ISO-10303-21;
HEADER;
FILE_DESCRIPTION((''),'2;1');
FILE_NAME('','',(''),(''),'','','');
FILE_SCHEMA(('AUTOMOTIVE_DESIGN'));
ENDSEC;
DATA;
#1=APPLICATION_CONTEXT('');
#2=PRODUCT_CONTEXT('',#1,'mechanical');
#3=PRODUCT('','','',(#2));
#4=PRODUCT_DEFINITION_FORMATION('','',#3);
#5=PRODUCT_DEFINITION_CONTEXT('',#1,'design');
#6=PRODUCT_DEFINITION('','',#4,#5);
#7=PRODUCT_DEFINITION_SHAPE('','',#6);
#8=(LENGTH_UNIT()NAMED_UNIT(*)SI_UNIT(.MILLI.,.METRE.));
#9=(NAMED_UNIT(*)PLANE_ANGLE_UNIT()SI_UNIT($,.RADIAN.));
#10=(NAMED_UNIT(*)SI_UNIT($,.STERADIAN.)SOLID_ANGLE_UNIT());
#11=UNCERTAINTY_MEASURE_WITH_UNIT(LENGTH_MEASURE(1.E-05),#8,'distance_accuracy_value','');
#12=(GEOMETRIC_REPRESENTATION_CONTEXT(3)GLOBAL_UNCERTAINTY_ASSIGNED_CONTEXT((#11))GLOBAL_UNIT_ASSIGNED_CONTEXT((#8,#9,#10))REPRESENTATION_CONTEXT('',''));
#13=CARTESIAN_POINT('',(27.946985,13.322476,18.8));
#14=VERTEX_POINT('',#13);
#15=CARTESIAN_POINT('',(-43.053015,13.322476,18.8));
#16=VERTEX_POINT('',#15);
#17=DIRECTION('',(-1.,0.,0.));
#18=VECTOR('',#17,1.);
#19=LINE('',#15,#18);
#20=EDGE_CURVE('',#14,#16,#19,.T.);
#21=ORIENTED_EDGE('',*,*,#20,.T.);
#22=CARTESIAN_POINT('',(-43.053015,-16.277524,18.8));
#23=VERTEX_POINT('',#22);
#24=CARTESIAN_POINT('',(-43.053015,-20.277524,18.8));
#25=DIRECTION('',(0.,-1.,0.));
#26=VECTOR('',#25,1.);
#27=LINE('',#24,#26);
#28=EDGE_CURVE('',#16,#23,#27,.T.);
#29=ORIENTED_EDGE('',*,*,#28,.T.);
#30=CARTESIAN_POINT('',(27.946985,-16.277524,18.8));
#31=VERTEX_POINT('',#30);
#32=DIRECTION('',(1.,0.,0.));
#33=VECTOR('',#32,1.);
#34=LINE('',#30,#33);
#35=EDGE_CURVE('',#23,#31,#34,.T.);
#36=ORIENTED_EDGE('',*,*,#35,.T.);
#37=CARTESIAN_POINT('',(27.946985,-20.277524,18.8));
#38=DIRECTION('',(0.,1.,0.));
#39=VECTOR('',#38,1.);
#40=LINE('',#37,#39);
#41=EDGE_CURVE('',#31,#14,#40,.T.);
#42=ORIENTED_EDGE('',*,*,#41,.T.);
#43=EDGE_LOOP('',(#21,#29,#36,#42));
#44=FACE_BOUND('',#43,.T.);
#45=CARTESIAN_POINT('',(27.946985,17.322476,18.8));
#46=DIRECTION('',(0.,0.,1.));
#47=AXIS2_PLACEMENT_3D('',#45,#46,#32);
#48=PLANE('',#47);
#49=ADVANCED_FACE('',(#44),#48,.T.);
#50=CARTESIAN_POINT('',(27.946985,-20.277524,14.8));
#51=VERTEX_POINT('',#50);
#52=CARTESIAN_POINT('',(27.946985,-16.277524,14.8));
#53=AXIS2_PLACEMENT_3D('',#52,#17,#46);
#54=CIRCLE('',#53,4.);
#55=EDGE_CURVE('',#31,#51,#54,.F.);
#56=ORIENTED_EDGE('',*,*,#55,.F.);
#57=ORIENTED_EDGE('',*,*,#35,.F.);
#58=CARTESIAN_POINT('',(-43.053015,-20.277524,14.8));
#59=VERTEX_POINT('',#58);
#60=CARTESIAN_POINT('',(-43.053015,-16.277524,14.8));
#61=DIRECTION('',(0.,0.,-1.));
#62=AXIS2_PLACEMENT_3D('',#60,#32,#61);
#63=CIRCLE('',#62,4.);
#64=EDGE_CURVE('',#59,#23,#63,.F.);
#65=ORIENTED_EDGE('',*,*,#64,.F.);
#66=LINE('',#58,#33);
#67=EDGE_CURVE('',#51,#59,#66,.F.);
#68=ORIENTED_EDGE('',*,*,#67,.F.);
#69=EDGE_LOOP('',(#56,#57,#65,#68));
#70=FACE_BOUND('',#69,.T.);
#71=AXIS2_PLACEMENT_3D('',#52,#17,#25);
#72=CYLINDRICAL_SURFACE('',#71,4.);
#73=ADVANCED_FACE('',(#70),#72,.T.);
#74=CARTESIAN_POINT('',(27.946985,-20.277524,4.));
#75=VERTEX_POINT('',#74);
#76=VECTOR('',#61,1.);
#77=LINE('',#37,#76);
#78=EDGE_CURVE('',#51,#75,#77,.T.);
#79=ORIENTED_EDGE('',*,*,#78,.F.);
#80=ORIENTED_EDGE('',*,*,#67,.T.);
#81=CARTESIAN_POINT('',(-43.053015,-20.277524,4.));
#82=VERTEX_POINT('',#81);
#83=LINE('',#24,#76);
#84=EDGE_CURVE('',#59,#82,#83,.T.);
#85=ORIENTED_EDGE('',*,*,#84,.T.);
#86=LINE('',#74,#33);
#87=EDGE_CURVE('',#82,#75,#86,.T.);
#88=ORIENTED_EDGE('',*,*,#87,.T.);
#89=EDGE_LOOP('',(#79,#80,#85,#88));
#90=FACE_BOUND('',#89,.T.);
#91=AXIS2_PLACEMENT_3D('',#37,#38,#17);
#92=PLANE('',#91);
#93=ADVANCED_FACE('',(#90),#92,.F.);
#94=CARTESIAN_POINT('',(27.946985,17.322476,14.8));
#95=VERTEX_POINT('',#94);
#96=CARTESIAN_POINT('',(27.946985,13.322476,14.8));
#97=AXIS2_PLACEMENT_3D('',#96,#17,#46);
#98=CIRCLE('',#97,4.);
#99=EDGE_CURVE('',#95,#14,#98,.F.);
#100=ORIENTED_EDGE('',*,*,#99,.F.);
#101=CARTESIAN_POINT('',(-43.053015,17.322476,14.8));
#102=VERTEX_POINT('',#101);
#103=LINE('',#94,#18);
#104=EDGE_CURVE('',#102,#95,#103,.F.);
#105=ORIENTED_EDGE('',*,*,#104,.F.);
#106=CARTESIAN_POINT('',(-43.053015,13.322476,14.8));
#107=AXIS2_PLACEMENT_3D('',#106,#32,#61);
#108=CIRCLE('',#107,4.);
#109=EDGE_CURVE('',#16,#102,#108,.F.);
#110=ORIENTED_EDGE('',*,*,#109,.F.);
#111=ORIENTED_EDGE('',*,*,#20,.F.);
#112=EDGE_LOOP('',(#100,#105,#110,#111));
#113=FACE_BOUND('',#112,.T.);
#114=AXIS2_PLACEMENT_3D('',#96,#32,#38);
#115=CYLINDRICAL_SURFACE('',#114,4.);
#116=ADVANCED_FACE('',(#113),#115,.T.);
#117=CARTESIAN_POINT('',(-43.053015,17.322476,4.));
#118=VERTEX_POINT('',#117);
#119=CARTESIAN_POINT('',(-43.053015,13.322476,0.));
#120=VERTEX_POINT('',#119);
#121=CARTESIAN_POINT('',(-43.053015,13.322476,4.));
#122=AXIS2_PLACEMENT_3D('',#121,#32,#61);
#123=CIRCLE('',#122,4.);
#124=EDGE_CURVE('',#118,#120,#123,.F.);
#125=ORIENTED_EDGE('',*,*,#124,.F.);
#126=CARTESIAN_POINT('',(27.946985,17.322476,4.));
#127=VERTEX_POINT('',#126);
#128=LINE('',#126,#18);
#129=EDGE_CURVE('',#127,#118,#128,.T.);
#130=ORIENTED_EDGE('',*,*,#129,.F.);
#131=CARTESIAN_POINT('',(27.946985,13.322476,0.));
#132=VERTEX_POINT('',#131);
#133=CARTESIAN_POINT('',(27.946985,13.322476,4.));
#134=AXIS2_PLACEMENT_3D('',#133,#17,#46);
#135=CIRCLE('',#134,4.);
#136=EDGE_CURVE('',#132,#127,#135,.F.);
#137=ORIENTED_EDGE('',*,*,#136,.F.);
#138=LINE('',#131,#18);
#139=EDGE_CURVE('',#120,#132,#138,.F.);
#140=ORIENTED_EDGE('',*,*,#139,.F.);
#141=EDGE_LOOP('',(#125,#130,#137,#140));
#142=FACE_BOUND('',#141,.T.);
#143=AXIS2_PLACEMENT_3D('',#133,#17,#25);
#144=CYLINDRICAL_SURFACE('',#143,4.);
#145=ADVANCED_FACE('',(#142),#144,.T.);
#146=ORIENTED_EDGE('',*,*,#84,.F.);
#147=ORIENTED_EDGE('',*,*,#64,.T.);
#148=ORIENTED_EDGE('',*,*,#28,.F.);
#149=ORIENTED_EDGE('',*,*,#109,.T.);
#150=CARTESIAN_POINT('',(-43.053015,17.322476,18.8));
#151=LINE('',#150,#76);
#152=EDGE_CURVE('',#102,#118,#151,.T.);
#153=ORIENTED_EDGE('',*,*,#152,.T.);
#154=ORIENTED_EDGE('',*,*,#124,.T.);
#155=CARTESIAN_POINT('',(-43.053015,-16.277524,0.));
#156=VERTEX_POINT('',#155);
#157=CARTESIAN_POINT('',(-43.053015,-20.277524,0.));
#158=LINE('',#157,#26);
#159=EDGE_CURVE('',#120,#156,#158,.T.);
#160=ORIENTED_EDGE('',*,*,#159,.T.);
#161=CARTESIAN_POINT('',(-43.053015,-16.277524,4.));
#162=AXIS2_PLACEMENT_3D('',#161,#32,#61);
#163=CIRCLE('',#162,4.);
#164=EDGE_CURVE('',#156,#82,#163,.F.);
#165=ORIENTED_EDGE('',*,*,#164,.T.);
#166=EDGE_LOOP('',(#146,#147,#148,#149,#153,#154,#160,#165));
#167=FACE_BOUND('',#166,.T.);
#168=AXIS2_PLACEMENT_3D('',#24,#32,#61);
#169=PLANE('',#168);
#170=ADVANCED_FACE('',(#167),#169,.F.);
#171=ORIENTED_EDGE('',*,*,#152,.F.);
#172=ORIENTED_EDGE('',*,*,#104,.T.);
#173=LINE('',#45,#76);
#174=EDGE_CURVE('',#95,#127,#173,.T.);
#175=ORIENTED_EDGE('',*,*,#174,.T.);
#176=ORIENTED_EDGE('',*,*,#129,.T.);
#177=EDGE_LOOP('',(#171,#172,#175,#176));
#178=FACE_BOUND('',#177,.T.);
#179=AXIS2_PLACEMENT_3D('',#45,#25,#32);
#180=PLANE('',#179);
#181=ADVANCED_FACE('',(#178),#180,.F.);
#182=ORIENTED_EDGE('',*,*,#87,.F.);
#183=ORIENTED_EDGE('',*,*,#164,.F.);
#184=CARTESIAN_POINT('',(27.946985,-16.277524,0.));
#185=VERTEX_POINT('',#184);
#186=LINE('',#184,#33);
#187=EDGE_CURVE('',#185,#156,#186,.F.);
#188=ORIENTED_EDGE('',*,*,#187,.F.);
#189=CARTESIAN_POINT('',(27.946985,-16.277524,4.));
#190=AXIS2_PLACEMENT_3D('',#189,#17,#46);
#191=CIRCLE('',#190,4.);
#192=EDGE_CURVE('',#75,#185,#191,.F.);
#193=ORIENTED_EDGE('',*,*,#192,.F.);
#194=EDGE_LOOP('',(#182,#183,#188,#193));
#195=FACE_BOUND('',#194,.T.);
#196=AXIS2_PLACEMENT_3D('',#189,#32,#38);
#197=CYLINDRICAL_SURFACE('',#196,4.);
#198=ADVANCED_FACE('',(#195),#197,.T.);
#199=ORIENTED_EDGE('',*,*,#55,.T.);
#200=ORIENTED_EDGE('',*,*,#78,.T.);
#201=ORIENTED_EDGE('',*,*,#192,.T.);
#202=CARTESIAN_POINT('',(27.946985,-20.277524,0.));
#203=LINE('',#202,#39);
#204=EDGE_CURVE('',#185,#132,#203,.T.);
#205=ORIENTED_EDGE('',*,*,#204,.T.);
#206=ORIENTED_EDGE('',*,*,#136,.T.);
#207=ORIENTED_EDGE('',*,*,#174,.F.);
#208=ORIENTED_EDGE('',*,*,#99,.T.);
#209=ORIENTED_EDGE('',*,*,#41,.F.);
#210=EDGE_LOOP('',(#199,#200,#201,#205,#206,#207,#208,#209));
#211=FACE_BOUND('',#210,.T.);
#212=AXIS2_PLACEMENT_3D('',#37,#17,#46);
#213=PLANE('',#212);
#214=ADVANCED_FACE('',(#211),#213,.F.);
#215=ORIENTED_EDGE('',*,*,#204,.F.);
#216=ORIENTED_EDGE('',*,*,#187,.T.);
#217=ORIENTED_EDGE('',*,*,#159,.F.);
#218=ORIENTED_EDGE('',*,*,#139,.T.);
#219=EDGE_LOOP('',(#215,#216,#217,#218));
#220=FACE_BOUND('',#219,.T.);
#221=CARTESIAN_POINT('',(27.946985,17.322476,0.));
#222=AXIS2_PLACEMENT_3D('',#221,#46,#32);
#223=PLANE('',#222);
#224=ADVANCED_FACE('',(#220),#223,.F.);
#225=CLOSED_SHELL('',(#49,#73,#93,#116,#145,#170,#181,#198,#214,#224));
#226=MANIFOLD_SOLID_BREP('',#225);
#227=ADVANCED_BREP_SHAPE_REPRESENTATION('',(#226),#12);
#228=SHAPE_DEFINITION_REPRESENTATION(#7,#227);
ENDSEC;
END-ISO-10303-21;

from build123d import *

# Parameters (mm, degrees)
ESQUISSE1_W      = 71
ESQUISSE1_H      = 37.6
EXTRUSION1_DEPTH = 18.8
CONG_1_R         = 4
CONG_2_R         = 4
CONG_3_R         = 4


with BuildPart() as part:
    # Esquisse1 → Extrusion1 (new body)
    with BuildSketch(Plane.XY):
        with Locations((-7.553014699, -1.477523911)):
            Rectangle(ESQUISSE1_W, ESQUISSE1_H)
    extrude(amount=EXTRUSION1_DEPTH)

    # Congé1
    cong_1_edges = [part.edges().sort_by_distance(p)[0] for p in [
        (-7.553014699, 17.322476089, 18.8),
    ]]
    fillet(cong_1_edges, radius=CONG_1_R)

    # Congé2
    cong_2_edges = [part.edges().sort_by_distance(p)[0] for p in [
        (-7.553014699, -20.277523911, 18.8),
        (-7.553014699, 17.322476089, 0),
    ]]
    fillet(cong_2_edges, radius=CONG_2_R)

    # Congé3
    cong_3_edges = [part.edges().sort_by_distance(p)[0] for p in [
        (-7.553014699, -20.277523911, 0),
    ]]
    fillet(cong_3_edges, radius=CONG_3_R)


solid = part.part
